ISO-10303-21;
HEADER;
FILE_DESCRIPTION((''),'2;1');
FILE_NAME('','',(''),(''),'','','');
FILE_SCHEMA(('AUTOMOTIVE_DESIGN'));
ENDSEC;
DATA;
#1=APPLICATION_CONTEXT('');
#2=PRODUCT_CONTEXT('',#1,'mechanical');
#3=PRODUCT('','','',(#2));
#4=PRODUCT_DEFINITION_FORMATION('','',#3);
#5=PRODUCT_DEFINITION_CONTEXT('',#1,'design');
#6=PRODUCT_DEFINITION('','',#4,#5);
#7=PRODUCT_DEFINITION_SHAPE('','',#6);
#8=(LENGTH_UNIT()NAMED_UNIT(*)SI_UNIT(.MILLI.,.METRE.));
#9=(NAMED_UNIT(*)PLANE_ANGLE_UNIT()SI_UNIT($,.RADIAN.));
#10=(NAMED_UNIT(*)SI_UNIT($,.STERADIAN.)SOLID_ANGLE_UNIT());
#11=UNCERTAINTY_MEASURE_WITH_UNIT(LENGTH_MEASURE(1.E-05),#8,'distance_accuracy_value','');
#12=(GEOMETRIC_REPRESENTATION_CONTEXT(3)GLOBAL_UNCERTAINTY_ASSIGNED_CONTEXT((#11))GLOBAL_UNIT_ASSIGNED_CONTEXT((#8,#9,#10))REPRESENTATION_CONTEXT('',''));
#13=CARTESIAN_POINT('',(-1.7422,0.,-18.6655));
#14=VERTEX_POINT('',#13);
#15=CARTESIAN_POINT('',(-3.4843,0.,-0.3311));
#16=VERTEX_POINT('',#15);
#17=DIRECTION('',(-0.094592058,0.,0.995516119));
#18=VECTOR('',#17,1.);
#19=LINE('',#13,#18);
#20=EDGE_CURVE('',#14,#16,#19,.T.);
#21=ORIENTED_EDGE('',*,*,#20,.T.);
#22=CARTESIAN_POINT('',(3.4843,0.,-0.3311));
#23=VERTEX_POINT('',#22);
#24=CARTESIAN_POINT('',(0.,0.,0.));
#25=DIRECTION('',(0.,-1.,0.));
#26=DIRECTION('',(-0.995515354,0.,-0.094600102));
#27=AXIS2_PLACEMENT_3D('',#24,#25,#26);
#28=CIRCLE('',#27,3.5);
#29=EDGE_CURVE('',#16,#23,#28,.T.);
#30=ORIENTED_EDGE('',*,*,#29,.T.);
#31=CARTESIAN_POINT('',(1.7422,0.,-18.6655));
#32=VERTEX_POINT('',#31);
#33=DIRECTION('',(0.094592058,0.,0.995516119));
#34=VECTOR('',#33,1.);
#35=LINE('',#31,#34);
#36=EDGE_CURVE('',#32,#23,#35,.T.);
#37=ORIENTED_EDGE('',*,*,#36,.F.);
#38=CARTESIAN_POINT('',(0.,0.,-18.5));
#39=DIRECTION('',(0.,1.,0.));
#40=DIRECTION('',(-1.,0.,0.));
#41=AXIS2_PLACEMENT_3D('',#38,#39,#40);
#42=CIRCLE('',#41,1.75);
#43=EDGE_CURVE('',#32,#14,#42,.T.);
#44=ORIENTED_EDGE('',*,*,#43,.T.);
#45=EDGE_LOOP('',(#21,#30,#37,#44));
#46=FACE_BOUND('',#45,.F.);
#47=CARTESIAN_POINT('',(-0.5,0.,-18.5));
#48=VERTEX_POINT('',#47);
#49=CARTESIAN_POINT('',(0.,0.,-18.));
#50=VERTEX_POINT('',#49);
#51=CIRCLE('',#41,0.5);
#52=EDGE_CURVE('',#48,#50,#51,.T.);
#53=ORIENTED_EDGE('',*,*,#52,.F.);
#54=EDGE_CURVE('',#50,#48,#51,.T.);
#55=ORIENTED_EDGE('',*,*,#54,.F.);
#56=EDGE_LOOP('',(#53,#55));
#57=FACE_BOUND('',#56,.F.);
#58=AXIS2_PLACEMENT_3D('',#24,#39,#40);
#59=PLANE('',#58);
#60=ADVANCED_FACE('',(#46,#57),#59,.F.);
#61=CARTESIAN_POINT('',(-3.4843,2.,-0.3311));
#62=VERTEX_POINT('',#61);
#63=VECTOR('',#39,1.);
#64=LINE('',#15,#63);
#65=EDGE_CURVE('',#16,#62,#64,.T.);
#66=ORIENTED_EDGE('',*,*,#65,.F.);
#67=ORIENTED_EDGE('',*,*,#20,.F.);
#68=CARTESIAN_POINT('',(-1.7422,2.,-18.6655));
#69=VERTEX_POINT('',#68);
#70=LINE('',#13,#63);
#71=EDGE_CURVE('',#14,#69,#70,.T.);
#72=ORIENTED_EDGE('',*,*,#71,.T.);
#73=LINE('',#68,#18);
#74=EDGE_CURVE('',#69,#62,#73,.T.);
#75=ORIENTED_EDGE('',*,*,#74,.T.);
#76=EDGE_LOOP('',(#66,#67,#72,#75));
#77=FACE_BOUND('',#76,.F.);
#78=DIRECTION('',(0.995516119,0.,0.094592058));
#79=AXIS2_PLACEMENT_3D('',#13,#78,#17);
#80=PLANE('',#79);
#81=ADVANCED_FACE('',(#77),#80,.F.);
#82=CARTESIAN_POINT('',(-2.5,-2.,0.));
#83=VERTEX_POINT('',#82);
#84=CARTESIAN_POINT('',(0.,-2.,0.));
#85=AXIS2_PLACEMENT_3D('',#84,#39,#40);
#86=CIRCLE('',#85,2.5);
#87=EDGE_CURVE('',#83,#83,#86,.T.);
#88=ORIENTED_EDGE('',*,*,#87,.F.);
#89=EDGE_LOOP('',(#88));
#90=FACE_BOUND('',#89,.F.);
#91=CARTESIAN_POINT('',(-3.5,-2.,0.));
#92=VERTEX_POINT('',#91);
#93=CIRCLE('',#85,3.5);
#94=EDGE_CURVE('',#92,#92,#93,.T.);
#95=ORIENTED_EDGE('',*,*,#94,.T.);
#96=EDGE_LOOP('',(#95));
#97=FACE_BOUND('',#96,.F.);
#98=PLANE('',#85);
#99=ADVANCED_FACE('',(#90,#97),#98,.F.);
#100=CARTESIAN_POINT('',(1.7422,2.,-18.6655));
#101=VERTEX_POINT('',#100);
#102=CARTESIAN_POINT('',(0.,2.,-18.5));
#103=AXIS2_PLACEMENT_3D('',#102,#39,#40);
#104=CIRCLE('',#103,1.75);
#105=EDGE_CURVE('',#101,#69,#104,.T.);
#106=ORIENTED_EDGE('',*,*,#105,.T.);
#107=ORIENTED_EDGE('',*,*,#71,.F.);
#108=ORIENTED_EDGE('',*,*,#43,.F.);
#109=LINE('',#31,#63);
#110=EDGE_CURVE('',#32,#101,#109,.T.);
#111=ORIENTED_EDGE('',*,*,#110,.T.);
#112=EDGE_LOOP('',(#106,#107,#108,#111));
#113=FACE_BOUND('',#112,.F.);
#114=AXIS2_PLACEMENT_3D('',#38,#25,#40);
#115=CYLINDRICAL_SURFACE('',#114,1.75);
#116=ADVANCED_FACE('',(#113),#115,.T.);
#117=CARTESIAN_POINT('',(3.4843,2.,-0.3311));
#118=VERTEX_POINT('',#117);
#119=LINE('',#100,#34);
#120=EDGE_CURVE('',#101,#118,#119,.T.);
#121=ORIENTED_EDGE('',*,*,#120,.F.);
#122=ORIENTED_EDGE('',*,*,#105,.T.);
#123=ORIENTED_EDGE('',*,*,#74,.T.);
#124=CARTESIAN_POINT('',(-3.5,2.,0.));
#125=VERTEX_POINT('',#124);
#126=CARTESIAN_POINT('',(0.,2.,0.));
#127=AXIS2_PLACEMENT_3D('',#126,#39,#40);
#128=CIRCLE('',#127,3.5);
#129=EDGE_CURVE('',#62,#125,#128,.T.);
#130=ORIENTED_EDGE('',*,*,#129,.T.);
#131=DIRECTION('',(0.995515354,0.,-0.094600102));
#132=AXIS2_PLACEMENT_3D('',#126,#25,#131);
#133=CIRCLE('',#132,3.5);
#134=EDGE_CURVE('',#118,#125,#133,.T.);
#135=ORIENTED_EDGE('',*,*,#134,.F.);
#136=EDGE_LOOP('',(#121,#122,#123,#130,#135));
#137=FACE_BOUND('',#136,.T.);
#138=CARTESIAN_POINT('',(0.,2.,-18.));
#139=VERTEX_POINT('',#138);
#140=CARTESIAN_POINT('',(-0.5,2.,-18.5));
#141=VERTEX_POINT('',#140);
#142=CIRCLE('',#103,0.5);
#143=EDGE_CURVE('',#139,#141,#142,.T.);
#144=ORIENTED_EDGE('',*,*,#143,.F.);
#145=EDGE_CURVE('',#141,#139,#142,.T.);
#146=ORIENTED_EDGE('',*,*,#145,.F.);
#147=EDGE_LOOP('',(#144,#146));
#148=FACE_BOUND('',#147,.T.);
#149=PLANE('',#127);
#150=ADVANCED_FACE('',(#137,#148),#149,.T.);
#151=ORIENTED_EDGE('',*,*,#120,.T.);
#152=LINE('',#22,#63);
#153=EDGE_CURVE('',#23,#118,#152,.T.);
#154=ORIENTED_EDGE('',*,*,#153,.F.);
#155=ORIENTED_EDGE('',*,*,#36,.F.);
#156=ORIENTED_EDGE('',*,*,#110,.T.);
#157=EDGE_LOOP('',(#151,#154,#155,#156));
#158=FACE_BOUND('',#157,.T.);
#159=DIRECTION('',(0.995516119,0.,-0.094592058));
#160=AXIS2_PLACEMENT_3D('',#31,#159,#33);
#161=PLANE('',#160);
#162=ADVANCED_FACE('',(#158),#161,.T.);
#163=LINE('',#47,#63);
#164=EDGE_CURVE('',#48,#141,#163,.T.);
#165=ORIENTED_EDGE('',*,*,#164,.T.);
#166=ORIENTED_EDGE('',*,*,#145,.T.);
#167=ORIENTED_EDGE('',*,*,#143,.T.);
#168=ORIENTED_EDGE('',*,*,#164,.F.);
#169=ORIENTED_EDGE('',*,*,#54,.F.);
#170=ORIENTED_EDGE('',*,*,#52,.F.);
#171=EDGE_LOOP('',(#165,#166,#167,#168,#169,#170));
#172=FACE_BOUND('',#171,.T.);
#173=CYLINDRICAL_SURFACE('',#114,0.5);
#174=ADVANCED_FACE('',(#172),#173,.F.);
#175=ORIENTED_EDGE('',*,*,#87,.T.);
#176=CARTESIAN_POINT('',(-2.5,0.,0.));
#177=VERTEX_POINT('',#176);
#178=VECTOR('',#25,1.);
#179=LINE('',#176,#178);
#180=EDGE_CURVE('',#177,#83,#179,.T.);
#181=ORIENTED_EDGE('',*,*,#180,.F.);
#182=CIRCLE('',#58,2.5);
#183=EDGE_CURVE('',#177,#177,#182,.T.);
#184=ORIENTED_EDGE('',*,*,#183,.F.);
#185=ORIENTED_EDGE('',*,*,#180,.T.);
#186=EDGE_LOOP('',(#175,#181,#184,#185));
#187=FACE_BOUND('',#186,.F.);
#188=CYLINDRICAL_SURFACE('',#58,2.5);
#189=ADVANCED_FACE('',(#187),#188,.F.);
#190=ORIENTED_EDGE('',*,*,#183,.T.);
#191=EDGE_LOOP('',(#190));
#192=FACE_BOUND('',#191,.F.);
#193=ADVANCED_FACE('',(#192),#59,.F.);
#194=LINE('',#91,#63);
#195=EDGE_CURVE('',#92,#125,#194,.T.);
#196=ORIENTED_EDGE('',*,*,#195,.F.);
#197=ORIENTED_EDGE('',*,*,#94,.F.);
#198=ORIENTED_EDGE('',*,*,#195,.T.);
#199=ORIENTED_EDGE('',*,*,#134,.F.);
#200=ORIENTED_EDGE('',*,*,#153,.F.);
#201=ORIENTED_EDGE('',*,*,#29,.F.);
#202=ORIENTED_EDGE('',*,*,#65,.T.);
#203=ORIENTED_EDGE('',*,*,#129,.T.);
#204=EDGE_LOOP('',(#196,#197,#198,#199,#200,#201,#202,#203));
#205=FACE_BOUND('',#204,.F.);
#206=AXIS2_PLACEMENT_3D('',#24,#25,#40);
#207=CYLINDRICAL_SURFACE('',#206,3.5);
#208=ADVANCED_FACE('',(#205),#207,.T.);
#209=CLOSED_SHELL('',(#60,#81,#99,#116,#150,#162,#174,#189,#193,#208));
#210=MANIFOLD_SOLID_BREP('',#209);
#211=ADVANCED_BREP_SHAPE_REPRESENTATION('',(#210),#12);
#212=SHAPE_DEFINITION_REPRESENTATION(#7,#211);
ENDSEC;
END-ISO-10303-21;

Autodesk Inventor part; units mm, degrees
ref_plane "YZ Plane" through (0, 0, 0) normal (1, 0, 0) x (0, 1, 0)
ref_plane "XZ Plane" through (0, 0, 0) normal (0, 1, 0) x (-1, 0, 0)
ref_plane "XY Plane" through (0, 0, 0) normal (0, 0, 1) x (1, 0, 0)
sketch "Sketch1" plane through (0, 0, 0) normal (0, 1, 0) x (-1, 0, 0)
  circle A0 centre (0, 0) radius 3.5
  line L0 (0, 3.5) -> (0, -18.5)
  circle A1 centre (0, -18.5) radius 1.75
  line L1 (1.7422, -18.6655) -> (3.4843, -0.3311)
  line L2 (-1.7422, -18.6655) -> (-3.4843, -0.3311)
  circle A2 centre (0, 0) radius 2.5
  circle A3 centre (0, -18.5) radius 0.5
  dimension "d0" = 7
  dimension "d1" = 22
  dimension "d2" = 3.5
  dimension "d3" = 5
  dimension "d8" = 1
extrude "Extrusion1" add sketch "Sketch1" along normal blind 2
extrude "Extrusion2" add sketch "Sketch1" against normal blind 2 contours A0 L0 A2 | L0 A2 A0
properties part number "servohorn" material "Acetal Resin, Black"
